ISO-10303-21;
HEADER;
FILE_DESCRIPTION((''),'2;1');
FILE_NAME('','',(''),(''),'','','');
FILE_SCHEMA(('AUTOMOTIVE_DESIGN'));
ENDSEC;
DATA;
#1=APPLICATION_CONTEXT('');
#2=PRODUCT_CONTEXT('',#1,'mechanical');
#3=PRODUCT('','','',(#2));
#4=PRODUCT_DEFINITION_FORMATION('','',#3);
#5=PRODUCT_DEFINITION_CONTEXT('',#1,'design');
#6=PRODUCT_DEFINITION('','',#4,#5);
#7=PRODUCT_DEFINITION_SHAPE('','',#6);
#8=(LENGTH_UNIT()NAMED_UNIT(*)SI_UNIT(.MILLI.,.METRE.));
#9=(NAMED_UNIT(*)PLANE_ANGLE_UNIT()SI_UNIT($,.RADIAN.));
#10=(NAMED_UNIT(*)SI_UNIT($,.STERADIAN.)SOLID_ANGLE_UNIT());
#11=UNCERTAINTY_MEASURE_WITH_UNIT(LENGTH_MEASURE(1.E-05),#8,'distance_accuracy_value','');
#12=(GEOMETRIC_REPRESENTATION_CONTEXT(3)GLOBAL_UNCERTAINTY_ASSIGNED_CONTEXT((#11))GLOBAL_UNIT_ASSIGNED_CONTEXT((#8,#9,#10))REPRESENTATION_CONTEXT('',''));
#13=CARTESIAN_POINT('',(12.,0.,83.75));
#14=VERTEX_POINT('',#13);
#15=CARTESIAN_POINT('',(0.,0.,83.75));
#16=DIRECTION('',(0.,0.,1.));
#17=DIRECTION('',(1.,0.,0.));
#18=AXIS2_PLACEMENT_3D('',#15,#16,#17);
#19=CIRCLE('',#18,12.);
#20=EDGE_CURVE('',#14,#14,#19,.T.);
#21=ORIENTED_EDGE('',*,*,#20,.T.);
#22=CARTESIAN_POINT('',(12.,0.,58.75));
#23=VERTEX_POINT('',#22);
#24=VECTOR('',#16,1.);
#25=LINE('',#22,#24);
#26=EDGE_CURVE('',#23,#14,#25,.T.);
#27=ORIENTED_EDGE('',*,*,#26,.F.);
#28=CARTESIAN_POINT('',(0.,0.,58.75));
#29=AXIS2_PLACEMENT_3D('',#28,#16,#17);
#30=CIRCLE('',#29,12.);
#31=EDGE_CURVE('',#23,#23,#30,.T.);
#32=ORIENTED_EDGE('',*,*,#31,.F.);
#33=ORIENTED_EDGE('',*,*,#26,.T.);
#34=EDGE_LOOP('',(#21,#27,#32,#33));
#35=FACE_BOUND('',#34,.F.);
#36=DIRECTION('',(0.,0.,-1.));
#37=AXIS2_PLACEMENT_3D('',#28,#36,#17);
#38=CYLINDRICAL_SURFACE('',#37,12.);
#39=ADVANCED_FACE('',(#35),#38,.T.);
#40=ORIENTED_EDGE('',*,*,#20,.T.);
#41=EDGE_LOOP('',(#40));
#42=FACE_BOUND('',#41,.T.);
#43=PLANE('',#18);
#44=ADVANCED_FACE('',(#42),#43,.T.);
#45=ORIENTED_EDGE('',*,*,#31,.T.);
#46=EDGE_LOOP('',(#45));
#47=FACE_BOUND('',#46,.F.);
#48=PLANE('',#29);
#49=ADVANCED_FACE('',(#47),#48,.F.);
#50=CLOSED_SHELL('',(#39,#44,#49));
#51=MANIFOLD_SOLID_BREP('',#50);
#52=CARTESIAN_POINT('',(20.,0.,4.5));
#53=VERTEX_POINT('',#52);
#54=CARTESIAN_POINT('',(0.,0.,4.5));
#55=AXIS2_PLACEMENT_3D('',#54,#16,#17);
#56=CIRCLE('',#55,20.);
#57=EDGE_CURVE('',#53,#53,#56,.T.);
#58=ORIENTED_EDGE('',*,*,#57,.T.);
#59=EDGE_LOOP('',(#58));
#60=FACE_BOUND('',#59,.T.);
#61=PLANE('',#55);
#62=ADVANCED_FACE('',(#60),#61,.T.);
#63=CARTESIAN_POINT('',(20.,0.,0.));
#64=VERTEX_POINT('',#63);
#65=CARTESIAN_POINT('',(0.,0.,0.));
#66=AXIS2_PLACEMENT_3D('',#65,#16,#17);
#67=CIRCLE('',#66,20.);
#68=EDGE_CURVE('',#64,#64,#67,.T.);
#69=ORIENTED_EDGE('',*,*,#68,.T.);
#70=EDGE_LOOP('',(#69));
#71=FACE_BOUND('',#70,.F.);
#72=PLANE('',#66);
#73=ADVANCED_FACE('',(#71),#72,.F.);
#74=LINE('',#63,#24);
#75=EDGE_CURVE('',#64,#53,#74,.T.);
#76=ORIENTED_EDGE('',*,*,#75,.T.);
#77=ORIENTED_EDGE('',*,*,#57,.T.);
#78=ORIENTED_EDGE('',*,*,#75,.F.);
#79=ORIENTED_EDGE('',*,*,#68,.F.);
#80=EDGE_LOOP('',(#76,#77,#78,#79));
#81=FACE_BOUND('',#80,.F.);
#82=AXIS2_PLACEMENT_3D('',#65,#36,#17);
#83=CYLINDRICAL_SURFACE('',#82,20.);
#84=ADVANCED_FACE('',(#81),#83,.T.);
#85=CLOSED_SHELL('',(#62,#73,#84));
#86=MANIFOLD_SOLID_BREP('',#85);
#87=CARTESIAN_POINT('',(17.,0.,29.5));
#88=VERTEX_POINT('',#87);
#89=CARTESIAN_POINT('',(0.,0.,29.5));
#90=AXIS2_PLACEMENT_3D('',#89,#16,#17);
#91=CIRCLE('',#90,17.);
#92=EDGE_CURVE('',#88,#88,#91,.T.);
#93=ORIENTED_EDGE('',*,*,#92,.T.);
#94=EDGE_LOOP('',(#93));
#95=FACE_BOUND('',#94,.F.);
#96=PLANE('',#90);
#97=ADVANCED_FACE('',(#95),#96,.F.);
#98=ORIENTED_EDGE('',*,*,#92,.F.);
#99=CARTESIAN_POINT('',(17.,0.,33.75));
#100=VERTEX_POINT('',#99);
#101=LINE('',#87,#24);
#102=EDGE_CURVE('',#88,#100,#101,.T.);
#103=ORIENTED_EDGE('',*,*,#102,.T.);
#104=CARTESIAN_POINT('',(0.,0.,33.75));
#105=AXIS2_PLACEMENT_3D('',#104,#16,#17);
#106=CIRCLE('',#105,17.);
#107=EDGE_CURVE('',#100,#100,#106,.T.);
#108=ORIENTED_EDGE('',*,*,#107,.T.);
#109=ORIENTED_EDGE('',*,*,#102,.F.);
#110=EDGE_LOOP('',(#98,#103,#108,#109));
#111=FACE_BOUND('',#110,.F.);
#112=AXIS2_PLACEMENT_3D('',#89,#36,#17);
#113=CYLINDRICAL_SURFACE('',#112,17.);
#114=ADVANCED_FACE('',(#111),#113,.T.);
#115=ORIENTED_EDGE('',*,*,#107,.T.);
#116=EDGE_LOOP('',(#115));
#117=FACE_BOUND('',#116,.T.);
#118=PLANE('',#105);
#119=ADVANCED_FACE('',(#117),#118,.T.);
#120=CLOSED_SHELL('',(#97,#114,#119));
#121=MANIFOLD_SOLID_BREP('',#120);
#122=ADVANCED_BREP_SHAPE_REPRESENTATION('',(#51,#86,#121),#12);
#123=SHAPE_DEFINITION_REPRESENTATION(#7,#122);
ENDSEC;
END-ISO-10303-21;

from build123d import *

# Parameters (mm, degrees)
F0_R     = 20
F1_DEPTH = 4.5
F3_R     = 17
F4_DEPTH = 4.25
F6_R     = 12
F7_DEPTH = 25


with BuildPart() as f1:
    # F0 (on Top) → F1 (new body)
    with BuildSketch(Plane.XY):
        Circle(F0_R)
    extrude(amount=F1_DEPTH)


with BuildPart() as f4:
    # F3 (on offset) → F4 (new body)
    with BuildSketch(Plane.XY.offset(29.5)):
        Circle(F3_R)
    extrude(amount=F4_DEPTH)


with BuildPart() as f7:
    # F6 (on offset) → F7 (new body)
    with BuildSketch(Plane.XY.offset(58.75)):
        Circle(F6_R)
    extrude(amount=F7_DEPTH)


solid = Compound([f1.part, f4.part, f7.part])
